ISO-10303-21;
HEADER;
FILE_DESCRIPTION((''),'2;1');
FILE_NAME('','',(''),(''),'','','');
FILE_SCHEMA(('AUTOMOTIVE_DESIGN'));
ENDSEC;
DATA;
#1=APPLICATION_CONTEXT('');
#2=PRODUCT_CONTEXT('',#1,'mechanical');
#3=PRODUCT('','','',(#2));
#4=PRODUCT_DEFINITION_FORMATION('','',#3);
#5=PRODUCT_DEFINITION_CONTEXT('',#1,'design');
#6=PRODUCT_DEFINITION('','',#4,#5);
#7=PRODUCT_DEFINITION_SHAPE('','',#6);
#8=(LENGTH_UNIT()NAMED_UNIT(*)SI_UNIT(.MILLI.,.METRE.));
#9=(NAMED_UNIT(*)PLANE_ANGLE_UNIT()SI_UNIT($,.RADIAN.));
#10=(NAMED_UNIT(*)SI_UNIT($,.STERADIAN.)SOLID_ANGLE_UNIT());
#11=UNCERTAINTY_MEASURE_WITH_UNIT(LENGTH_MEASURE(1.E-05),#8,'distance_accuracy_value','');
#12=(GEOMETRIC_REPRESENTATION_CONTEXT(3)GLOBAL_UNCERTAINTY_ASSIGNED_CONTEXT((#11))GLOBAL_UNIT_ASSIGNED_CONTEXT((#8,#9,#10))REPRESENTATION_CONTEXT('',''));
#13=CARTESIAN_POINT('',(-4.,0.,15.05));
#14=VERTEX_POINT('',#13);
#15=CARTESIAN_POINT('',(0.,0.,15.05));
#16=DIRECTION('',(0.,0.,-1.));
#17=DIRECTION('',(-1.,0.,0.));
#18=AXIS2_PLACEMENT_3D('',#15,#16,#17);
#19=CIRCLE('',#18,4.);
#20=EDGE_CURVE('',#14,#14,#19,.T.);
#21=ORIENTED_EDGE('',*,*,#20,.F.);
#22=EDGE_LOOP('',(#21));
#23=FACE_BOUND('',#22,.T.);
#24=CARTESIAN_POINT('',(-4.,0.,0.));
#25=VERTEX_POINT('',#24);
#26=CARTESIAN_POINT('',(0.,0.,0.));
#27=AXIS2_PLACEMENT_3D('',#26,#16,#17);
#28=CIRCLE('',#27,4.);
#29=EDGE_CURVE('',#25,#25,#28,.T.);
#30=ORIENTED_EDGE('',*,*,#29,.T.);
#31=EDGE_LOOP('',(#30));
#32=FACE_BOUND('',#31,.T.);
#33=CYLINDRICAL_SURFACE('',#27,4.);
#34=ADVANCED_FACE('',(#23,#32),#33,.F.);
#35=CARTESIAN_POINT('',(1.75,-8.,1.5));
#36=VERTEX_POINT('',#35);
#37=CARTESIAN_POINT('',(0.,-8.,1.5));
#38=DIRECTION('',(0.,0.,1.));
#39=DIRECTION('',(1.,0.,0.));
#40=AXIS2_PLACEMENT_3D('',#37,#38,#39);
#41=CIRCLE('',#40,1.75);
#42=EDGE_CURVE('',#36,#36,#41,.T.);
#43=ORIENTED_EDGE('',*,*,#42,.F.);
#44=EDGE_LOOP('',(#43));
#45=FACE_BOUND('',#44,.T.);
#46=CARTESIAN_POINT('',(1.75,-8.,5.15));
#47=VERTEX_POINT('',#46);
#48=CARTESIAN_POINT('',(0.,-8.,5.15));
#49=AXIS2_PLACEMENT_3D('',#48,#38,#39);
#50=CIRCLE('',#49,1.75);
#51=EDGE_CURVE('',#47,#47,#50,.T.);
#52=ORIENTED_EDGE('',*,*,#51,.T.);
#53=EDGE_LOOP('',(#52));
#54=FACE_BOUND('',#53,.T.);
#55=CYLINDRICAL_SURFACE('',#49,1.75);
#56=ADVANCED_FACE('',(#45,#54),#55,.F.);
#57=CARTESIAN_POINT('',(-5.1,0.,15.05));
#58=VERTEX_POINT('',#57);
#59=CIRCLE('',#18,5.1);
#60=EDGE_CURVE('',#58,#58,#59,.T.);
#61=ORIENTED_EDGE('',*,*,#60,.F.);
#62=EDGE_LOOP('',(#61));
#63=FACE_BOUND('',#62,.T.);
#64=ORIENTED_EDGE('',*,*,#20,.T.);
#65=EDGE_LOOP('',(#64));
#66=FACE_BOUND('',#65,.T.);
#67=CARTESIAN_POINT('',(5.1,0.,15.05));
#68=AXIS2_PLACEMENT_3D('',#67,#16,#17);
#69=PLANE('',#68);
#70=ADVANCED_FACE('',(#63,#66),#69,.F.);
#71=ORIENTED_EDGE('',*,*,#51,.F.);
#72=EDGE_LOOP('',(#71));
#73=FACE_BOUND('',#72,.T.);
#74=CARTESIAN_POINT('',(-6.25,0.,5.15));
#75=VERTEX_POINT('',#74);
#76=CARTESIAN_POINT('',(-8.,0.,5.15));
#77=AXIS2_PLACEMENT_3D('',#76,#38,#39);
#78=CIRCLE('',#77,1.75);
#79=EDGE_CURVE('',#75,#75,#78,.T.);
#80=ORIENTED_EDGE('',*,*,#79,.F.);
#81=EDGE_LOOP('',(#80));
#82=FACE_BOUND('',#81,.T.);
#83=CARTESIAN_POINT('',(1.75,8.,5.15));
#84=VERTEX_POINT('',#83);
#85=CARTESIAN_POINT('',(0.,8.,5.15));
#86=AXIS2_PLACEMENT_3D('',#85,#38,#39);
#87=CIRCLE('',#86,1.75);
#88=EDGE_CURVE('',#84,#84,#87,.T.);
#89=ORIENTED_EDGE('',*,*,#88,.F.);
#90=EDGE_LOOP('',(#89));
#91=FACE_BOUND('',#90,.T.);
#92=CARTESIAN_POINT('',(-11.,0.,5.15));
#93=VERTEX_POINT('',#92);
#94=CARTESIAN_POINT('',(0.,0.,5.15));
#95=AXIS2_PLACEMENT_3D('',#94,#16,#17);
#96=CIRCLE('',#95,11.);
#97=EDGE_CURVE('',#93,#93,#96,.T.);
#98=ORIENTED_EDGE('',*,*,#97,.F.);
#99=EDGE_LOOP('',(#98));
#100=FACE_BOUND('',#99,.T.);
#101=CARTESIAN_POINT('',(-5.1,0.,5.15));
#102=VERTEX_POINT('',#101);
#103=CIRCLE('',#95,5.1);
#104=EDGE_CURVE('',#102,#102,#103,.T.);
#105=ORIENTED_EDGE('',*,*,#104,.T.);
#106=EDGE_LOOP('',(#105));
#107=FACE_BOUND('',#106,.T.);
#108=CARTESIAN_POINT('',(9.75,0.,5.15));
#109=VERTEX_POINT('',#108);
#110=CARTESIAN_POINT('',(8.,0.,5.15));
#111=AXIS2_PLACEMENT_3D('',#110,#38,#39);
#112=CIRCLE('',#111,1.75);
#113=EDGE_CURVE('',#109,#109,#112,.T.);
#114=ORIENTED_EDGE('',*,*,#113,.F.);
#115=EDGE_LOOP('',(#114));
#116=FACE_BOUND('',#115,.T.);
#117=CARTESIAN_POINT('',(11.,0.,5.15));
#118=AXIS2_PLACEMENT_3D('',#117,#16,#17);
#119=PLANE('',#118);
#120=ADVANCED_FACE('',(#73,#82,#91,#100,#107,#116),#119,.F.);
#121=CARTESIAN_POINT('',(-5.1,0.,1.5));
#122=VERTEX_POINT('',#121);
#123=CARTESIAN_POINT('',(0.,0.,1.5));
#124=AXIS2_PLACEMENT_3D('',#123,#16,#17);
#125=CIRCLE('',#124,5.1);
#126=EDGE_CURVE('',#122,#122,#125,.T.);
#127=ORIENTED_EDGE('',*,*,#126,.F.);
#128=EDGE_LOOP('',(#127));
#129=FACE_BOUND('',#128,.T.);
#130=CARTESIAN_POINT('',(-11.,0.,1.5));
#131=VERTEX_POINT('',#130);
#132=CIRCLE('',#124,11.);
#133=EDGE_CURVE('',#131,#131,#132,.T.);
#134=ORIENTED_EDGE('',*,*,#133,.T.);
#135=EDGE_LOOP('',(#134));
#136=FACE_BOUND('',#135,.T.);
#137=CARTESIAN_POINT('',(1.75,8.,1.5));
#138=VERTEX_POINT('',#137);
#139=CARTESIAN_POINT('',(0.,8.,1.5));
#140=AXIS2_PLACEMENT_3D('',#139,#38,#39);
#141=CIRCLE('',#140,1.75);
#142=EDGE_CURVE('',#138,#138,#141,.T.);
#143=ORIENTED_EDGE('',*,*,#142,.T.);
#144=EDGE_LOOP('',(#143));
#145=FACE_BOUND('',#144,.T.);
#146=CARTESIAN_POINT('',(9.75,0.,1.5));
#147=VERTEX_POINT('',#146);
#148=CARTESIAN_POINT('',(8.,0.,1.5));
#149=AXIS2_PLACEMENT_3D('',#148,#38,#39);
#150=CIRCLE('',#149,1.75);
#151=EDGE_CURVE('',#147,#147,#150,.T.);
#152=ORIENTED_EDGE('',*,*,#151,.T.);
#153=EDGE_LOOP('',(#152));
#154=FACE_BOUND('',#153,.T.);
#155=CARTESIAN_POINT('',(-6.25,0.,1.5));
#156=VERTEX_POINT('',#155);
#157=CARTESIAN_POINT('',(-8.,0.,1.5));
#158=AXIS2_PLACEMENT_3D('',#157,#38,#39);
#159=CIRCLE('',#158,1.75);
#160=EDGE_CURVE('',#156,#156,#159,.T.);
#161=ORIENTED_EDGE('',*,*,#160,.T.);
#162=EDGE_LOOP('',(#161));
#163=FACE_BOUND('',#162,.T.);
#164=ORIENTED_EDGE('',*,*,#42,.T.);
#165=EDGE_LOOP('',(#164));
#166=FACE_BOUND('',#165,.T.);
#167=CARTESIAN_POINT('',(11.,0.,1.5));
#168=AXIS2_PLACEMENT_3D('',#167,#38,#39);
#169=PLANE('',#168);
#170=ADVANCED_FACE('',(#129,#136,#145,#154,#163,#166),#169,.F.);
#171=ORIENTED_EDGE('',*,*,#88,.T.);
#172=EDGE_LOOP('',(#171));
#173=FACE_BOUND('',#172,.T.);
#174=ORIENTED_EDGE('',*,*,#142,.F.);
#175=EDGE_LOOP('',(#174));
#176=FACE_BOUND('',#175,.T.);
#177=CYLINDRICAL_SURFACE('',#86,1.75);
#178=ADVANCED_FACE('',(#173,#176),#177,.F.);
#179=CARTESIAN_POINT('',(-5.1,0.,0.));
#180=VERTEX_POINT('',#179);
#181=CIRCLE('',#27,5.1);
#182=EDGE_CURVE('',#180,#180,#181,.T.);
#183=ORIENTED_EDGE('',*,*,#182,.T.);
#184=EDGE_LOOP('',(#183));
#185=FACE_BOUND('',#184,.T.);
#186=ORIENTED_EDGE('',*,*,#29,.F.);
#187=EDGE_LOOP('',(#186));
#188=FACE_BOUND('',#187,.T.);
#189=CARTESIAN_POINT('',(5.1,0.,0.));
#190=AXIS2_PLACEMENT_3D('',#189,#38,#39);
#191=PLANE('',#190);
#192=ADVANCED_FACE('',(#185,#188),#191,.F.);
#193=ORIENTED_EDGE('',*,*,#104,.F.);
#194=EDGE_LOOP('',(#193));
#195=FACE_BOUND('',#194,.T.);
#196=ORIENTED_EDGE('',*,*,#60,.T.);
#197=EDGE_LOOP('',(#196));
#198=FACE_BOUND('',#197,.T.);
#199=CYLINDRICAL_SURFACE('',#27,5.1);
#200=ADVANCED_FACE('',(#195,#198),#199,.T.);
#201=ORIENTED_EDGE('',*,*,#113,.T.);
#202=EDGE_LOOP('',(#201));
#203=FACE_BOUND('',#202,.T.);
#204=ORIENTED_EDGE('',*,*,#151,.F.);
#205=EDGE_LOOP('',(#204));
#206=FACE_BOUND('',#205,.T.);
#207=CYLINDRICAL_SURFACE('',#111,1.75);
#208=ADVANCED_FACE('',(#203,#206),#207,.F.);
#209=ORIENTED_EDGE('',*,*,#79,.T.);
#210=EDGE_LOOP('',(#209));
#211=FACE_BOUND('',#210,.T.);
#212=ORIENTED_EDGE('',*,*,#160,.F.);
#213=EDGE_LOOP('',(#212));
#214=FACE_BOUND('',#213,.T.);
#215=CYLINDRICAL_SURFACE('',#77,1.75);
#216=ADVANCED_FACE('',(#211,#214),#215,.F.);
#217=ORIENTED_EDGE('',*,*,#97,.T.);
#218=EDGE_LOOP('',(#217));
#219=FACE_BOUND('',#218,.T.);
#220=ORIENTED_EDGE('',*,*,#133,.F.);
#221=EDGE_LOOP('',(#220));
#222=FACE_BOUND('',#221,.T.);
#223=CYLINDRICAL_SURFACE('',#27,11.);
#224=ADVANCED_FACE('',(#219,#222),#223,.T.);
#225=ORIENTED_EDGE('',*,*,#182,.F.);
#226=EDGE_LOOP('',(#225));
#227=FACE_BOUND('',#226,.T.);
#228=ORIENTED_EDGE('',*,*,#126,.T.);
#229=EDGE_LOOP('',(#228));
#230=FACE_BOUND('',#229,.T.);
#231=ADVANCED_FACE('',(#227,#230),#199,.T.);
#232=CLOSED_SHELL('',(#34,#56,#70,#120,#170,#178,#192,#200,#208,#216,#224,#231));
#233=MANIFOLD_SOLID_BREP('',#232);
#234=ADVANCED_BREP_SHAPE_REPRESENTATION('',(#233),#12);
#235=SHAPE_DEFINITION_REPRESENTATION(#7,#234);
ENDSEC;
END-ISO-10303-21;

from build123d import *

# Parameters (mm, degrees)
F_3_5_3_5_DIAMETER_HOLE1_D = 3.5


with BuildPart() as part:
    # Sketch1 → Revolve1 (revolve)
    with BuildSketch(Plane(origin=(0, 0, 0), x_dir=(1, 0, 0), z_dir=(0, 1, 0)), mode=Mode.PRIVATE) as revolve1_sk:
        Polygon((11, -1.5), (11, -5.15), (5.1, -5.15), (5.1, -15.05), (4, -15.05), (4, 0), (5.1, 0), (5.1, -1.5), align=None)
    revolve(revolve1_sk.sketch.rotate(Axis((0, 0, 0), (0, 0, 1)), 180), axis=Axis((0, 0, 0), (0, 0, 1)))

    # Ø3.5 (3.5) Diameter Hole1 (through all)
    with Locations(Plane.XY.offset(5.15)):
        with Locations((-8, 0), (0, 8), (8, 0), (0, -8)):
            Hole(F_3_5_3_5_DIAMETER_HOLE1_D / 2)


solid = part.part
